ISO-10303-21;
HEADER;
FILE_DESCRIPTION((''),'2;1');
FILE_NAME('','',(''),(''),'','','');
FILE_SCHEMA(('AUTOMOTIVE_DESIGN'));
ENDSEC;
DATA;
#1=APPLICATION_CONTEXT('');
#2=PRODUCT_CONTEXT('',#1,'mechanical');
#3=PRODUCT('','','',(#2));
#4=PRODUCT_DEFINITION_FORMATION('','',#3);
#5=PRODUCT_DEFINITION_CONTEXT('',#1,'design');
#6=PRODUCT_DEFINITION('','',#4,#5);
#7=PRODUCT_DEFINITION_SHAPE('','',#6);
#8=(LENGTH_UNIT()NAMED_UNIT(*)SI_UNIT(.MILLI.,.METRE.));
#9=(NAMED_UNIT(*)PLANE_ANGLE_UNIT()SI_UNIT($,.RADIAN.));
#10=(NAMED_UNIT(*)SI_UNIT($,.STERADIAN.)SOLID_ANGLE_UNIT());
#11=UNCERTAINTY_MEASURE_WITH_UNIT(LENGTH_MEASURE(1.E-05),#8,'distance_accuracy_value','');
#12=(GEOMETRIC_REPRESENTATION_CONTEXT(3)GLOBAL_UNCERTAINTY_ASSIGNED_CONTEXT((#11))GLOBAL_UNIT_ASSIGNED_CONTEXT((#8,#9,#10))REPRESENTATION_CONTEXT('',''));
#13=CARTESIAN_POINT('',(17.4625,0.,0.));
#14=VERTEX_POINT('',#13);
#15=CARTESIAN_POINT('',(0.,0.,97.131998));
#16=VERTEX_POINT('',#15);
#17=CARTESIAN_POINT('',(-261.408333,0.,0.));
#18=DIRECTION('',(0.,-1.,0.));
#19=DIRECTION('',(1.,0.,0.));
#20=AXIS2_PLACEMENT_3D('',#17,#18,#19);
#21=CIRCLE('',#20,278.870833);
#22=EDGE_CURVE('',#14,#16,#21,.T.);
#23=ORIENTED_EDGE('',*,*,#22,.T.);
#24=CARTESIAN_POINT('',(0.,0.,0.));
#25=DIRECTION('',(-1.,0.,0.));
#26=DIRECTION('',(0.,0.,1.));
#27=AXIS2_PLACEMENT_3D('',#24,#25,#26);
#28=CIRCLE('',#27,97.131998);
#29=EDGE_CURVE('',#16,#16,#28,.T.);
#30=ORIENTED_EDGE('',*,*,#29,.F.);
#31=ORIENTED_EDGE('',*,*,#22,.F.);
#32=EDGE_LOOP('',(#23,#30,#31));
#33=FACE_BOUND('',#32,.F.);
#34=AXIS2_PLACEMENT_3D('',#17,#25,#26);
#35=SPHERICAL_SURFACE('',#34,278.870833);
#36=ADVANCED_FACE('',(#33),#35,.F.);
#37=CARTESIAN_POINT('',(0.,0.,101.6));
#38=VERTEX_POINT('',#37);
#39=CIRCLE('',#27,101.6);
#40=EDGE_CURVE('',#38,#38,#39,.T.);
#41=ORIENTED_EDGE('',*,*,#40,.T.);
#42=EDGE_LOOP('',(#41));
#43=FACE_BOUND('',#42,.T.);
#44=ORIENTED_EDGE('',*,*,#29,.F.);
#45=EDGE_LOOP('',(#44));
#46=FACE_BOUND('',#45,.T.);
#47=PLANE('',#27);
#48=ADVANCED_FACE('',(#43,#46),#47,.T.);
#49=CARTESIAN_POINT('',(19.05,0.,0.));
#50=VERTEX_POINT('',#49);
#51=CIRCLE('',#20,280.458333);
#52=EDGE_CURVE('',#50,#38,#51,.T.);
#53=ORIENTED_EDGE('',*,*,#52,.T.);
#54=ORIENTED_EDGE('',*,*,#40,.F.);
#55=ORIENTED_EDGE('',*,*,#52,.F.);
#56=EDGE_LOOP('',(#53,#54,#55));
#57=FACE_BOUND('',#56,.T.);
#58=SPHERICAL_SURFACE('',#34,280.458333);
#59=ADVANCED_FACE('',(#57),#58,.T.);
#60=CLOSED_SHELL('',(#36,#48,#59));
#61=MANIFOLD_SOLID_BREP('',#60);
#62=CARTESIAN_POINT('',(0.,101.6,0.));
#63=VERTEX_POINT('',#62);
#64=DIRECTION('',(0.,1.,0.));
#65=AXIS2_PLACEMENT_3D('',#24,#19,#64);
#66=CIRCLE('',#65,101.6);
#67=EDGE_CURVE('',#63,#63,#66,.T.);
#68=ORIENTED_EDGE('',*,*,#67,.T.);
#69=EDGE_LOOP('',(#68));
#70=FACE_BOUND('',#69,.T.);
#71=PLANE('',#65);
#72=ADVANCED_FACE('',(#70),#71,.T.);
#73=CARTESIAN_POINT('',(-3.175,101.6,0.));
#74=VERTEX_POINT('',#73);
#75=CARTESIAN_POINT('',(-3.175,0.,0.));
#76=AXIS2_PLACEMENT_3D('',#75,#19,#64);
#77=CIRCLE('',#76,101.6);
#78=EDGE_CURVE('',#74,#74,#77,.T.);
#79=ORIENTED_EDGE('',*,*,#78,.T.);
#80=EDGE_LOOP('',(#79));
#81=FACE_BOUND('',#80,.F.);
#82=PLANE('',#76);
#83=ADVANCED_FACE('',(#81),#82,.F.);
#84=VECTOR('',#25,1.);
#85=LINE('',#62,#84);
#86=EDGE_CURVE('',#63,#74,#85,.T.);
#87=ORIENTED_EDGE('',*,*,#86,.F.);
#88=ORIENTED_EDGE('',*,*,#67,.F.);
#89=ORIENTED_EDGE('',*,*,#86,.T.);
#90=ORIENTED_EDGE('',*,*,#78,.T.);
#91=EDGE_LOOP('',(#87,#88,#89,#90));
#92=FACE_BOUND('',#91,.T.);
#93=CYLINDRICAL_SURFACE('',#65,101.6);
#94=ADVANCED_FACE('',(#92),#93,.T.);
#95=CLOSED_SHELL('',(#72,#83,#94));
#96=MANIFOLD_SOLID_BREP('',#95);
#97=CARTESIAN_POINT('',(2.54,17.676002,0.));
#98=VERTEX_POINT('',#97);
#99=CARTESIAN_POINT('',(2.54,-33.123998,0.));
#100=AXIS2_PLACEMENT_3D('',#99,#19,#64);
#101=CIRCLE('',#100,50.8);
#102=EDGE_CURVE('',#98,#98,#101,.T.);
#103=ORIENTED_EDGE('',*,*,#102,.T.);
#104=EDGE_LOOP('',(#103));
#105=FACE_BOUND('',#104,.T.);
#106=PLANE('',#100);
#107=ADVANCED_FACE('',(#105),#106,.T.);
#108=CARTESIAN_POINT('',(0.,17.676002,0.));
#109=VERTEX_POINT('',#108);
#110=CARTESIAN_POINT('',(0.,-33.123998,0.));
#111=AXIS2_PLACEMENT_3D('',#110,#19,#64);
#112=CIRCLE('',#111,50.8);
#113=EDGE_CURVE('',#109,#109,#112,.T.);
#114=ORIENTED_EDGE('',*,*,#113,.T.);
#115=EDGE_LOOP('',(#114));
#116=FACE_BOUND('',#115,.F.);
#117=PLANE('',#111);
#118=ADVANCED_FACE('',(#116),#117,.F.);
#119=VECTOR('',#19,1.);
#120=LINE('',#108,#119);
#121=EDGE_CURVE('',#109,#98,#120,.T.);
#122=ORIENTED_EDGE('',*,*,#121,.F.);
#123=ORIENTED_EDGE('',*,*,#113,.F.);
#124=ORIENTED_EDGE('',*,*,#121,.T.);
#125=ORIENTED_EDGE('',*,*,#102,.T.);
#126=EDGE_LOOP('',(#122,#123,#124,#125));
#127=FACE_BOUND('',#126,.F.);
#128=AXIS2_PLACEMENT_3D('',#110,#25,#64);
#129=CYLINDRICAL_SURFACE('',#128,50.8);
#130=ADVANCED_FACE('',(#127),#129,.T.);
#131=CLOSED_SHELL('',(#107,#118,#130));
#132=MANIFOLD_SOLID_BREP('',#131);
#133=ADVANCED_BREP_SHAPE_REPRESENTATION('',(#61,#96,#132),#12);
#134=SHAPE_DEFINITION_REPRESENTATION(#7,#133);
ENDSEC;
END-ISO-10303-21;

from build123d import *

# Parameters (mm, degrees)
F0_R     = 101.6
F1_DEPTH = 3.175
F4_T     = -1.5875
F5_R     = 50.8
F6_DEPTH = 2.54


with BuildPart() as f1:
    # F0 (on Right) → F1 (new body)
    with BuildSketch(Plane.YZ):
        Circle(F0_R)
    extrude(amount=-F1_DEPTH)


with BuildPart() as f3:
    # F2 (on Front) → F3 (revolve)
    with BuildSketch(Plane.XZ):
        with BuildLine():
            ThreePointArc((19.05, 0), (14.246362094, 51.6852553926), (0, 101.6))
            Line((0, 101.6), (0, 0))
            Line((0, 0), (19.05, 0))
        make_face()
    revolve(axis=Axis((9.525, 0, 0), (-1, 0, 0)))

    # F4
    f4_openings = [f3.faces().sort_by_distance(p)[0] for p in [
        (0, 0, 0),
    ]]
    offset(amount=F4_T, openings=f4_openings)


with BuildPart() as f6:
    # F5 (on face) → F6 (new body)
    with BuildSketch(Plane.YZ):
        with Locations((-46.3319975493, 0)):
            Circle(F5_R)
    extrude(amount=F6_DEPTH)


with BuildPart() as f6_1:
    # F7: moved
    add(f6.part.moved(Location((0, 13.208, 0))))


solid = Compound([f1.part, f3.part, f6_1.part])
